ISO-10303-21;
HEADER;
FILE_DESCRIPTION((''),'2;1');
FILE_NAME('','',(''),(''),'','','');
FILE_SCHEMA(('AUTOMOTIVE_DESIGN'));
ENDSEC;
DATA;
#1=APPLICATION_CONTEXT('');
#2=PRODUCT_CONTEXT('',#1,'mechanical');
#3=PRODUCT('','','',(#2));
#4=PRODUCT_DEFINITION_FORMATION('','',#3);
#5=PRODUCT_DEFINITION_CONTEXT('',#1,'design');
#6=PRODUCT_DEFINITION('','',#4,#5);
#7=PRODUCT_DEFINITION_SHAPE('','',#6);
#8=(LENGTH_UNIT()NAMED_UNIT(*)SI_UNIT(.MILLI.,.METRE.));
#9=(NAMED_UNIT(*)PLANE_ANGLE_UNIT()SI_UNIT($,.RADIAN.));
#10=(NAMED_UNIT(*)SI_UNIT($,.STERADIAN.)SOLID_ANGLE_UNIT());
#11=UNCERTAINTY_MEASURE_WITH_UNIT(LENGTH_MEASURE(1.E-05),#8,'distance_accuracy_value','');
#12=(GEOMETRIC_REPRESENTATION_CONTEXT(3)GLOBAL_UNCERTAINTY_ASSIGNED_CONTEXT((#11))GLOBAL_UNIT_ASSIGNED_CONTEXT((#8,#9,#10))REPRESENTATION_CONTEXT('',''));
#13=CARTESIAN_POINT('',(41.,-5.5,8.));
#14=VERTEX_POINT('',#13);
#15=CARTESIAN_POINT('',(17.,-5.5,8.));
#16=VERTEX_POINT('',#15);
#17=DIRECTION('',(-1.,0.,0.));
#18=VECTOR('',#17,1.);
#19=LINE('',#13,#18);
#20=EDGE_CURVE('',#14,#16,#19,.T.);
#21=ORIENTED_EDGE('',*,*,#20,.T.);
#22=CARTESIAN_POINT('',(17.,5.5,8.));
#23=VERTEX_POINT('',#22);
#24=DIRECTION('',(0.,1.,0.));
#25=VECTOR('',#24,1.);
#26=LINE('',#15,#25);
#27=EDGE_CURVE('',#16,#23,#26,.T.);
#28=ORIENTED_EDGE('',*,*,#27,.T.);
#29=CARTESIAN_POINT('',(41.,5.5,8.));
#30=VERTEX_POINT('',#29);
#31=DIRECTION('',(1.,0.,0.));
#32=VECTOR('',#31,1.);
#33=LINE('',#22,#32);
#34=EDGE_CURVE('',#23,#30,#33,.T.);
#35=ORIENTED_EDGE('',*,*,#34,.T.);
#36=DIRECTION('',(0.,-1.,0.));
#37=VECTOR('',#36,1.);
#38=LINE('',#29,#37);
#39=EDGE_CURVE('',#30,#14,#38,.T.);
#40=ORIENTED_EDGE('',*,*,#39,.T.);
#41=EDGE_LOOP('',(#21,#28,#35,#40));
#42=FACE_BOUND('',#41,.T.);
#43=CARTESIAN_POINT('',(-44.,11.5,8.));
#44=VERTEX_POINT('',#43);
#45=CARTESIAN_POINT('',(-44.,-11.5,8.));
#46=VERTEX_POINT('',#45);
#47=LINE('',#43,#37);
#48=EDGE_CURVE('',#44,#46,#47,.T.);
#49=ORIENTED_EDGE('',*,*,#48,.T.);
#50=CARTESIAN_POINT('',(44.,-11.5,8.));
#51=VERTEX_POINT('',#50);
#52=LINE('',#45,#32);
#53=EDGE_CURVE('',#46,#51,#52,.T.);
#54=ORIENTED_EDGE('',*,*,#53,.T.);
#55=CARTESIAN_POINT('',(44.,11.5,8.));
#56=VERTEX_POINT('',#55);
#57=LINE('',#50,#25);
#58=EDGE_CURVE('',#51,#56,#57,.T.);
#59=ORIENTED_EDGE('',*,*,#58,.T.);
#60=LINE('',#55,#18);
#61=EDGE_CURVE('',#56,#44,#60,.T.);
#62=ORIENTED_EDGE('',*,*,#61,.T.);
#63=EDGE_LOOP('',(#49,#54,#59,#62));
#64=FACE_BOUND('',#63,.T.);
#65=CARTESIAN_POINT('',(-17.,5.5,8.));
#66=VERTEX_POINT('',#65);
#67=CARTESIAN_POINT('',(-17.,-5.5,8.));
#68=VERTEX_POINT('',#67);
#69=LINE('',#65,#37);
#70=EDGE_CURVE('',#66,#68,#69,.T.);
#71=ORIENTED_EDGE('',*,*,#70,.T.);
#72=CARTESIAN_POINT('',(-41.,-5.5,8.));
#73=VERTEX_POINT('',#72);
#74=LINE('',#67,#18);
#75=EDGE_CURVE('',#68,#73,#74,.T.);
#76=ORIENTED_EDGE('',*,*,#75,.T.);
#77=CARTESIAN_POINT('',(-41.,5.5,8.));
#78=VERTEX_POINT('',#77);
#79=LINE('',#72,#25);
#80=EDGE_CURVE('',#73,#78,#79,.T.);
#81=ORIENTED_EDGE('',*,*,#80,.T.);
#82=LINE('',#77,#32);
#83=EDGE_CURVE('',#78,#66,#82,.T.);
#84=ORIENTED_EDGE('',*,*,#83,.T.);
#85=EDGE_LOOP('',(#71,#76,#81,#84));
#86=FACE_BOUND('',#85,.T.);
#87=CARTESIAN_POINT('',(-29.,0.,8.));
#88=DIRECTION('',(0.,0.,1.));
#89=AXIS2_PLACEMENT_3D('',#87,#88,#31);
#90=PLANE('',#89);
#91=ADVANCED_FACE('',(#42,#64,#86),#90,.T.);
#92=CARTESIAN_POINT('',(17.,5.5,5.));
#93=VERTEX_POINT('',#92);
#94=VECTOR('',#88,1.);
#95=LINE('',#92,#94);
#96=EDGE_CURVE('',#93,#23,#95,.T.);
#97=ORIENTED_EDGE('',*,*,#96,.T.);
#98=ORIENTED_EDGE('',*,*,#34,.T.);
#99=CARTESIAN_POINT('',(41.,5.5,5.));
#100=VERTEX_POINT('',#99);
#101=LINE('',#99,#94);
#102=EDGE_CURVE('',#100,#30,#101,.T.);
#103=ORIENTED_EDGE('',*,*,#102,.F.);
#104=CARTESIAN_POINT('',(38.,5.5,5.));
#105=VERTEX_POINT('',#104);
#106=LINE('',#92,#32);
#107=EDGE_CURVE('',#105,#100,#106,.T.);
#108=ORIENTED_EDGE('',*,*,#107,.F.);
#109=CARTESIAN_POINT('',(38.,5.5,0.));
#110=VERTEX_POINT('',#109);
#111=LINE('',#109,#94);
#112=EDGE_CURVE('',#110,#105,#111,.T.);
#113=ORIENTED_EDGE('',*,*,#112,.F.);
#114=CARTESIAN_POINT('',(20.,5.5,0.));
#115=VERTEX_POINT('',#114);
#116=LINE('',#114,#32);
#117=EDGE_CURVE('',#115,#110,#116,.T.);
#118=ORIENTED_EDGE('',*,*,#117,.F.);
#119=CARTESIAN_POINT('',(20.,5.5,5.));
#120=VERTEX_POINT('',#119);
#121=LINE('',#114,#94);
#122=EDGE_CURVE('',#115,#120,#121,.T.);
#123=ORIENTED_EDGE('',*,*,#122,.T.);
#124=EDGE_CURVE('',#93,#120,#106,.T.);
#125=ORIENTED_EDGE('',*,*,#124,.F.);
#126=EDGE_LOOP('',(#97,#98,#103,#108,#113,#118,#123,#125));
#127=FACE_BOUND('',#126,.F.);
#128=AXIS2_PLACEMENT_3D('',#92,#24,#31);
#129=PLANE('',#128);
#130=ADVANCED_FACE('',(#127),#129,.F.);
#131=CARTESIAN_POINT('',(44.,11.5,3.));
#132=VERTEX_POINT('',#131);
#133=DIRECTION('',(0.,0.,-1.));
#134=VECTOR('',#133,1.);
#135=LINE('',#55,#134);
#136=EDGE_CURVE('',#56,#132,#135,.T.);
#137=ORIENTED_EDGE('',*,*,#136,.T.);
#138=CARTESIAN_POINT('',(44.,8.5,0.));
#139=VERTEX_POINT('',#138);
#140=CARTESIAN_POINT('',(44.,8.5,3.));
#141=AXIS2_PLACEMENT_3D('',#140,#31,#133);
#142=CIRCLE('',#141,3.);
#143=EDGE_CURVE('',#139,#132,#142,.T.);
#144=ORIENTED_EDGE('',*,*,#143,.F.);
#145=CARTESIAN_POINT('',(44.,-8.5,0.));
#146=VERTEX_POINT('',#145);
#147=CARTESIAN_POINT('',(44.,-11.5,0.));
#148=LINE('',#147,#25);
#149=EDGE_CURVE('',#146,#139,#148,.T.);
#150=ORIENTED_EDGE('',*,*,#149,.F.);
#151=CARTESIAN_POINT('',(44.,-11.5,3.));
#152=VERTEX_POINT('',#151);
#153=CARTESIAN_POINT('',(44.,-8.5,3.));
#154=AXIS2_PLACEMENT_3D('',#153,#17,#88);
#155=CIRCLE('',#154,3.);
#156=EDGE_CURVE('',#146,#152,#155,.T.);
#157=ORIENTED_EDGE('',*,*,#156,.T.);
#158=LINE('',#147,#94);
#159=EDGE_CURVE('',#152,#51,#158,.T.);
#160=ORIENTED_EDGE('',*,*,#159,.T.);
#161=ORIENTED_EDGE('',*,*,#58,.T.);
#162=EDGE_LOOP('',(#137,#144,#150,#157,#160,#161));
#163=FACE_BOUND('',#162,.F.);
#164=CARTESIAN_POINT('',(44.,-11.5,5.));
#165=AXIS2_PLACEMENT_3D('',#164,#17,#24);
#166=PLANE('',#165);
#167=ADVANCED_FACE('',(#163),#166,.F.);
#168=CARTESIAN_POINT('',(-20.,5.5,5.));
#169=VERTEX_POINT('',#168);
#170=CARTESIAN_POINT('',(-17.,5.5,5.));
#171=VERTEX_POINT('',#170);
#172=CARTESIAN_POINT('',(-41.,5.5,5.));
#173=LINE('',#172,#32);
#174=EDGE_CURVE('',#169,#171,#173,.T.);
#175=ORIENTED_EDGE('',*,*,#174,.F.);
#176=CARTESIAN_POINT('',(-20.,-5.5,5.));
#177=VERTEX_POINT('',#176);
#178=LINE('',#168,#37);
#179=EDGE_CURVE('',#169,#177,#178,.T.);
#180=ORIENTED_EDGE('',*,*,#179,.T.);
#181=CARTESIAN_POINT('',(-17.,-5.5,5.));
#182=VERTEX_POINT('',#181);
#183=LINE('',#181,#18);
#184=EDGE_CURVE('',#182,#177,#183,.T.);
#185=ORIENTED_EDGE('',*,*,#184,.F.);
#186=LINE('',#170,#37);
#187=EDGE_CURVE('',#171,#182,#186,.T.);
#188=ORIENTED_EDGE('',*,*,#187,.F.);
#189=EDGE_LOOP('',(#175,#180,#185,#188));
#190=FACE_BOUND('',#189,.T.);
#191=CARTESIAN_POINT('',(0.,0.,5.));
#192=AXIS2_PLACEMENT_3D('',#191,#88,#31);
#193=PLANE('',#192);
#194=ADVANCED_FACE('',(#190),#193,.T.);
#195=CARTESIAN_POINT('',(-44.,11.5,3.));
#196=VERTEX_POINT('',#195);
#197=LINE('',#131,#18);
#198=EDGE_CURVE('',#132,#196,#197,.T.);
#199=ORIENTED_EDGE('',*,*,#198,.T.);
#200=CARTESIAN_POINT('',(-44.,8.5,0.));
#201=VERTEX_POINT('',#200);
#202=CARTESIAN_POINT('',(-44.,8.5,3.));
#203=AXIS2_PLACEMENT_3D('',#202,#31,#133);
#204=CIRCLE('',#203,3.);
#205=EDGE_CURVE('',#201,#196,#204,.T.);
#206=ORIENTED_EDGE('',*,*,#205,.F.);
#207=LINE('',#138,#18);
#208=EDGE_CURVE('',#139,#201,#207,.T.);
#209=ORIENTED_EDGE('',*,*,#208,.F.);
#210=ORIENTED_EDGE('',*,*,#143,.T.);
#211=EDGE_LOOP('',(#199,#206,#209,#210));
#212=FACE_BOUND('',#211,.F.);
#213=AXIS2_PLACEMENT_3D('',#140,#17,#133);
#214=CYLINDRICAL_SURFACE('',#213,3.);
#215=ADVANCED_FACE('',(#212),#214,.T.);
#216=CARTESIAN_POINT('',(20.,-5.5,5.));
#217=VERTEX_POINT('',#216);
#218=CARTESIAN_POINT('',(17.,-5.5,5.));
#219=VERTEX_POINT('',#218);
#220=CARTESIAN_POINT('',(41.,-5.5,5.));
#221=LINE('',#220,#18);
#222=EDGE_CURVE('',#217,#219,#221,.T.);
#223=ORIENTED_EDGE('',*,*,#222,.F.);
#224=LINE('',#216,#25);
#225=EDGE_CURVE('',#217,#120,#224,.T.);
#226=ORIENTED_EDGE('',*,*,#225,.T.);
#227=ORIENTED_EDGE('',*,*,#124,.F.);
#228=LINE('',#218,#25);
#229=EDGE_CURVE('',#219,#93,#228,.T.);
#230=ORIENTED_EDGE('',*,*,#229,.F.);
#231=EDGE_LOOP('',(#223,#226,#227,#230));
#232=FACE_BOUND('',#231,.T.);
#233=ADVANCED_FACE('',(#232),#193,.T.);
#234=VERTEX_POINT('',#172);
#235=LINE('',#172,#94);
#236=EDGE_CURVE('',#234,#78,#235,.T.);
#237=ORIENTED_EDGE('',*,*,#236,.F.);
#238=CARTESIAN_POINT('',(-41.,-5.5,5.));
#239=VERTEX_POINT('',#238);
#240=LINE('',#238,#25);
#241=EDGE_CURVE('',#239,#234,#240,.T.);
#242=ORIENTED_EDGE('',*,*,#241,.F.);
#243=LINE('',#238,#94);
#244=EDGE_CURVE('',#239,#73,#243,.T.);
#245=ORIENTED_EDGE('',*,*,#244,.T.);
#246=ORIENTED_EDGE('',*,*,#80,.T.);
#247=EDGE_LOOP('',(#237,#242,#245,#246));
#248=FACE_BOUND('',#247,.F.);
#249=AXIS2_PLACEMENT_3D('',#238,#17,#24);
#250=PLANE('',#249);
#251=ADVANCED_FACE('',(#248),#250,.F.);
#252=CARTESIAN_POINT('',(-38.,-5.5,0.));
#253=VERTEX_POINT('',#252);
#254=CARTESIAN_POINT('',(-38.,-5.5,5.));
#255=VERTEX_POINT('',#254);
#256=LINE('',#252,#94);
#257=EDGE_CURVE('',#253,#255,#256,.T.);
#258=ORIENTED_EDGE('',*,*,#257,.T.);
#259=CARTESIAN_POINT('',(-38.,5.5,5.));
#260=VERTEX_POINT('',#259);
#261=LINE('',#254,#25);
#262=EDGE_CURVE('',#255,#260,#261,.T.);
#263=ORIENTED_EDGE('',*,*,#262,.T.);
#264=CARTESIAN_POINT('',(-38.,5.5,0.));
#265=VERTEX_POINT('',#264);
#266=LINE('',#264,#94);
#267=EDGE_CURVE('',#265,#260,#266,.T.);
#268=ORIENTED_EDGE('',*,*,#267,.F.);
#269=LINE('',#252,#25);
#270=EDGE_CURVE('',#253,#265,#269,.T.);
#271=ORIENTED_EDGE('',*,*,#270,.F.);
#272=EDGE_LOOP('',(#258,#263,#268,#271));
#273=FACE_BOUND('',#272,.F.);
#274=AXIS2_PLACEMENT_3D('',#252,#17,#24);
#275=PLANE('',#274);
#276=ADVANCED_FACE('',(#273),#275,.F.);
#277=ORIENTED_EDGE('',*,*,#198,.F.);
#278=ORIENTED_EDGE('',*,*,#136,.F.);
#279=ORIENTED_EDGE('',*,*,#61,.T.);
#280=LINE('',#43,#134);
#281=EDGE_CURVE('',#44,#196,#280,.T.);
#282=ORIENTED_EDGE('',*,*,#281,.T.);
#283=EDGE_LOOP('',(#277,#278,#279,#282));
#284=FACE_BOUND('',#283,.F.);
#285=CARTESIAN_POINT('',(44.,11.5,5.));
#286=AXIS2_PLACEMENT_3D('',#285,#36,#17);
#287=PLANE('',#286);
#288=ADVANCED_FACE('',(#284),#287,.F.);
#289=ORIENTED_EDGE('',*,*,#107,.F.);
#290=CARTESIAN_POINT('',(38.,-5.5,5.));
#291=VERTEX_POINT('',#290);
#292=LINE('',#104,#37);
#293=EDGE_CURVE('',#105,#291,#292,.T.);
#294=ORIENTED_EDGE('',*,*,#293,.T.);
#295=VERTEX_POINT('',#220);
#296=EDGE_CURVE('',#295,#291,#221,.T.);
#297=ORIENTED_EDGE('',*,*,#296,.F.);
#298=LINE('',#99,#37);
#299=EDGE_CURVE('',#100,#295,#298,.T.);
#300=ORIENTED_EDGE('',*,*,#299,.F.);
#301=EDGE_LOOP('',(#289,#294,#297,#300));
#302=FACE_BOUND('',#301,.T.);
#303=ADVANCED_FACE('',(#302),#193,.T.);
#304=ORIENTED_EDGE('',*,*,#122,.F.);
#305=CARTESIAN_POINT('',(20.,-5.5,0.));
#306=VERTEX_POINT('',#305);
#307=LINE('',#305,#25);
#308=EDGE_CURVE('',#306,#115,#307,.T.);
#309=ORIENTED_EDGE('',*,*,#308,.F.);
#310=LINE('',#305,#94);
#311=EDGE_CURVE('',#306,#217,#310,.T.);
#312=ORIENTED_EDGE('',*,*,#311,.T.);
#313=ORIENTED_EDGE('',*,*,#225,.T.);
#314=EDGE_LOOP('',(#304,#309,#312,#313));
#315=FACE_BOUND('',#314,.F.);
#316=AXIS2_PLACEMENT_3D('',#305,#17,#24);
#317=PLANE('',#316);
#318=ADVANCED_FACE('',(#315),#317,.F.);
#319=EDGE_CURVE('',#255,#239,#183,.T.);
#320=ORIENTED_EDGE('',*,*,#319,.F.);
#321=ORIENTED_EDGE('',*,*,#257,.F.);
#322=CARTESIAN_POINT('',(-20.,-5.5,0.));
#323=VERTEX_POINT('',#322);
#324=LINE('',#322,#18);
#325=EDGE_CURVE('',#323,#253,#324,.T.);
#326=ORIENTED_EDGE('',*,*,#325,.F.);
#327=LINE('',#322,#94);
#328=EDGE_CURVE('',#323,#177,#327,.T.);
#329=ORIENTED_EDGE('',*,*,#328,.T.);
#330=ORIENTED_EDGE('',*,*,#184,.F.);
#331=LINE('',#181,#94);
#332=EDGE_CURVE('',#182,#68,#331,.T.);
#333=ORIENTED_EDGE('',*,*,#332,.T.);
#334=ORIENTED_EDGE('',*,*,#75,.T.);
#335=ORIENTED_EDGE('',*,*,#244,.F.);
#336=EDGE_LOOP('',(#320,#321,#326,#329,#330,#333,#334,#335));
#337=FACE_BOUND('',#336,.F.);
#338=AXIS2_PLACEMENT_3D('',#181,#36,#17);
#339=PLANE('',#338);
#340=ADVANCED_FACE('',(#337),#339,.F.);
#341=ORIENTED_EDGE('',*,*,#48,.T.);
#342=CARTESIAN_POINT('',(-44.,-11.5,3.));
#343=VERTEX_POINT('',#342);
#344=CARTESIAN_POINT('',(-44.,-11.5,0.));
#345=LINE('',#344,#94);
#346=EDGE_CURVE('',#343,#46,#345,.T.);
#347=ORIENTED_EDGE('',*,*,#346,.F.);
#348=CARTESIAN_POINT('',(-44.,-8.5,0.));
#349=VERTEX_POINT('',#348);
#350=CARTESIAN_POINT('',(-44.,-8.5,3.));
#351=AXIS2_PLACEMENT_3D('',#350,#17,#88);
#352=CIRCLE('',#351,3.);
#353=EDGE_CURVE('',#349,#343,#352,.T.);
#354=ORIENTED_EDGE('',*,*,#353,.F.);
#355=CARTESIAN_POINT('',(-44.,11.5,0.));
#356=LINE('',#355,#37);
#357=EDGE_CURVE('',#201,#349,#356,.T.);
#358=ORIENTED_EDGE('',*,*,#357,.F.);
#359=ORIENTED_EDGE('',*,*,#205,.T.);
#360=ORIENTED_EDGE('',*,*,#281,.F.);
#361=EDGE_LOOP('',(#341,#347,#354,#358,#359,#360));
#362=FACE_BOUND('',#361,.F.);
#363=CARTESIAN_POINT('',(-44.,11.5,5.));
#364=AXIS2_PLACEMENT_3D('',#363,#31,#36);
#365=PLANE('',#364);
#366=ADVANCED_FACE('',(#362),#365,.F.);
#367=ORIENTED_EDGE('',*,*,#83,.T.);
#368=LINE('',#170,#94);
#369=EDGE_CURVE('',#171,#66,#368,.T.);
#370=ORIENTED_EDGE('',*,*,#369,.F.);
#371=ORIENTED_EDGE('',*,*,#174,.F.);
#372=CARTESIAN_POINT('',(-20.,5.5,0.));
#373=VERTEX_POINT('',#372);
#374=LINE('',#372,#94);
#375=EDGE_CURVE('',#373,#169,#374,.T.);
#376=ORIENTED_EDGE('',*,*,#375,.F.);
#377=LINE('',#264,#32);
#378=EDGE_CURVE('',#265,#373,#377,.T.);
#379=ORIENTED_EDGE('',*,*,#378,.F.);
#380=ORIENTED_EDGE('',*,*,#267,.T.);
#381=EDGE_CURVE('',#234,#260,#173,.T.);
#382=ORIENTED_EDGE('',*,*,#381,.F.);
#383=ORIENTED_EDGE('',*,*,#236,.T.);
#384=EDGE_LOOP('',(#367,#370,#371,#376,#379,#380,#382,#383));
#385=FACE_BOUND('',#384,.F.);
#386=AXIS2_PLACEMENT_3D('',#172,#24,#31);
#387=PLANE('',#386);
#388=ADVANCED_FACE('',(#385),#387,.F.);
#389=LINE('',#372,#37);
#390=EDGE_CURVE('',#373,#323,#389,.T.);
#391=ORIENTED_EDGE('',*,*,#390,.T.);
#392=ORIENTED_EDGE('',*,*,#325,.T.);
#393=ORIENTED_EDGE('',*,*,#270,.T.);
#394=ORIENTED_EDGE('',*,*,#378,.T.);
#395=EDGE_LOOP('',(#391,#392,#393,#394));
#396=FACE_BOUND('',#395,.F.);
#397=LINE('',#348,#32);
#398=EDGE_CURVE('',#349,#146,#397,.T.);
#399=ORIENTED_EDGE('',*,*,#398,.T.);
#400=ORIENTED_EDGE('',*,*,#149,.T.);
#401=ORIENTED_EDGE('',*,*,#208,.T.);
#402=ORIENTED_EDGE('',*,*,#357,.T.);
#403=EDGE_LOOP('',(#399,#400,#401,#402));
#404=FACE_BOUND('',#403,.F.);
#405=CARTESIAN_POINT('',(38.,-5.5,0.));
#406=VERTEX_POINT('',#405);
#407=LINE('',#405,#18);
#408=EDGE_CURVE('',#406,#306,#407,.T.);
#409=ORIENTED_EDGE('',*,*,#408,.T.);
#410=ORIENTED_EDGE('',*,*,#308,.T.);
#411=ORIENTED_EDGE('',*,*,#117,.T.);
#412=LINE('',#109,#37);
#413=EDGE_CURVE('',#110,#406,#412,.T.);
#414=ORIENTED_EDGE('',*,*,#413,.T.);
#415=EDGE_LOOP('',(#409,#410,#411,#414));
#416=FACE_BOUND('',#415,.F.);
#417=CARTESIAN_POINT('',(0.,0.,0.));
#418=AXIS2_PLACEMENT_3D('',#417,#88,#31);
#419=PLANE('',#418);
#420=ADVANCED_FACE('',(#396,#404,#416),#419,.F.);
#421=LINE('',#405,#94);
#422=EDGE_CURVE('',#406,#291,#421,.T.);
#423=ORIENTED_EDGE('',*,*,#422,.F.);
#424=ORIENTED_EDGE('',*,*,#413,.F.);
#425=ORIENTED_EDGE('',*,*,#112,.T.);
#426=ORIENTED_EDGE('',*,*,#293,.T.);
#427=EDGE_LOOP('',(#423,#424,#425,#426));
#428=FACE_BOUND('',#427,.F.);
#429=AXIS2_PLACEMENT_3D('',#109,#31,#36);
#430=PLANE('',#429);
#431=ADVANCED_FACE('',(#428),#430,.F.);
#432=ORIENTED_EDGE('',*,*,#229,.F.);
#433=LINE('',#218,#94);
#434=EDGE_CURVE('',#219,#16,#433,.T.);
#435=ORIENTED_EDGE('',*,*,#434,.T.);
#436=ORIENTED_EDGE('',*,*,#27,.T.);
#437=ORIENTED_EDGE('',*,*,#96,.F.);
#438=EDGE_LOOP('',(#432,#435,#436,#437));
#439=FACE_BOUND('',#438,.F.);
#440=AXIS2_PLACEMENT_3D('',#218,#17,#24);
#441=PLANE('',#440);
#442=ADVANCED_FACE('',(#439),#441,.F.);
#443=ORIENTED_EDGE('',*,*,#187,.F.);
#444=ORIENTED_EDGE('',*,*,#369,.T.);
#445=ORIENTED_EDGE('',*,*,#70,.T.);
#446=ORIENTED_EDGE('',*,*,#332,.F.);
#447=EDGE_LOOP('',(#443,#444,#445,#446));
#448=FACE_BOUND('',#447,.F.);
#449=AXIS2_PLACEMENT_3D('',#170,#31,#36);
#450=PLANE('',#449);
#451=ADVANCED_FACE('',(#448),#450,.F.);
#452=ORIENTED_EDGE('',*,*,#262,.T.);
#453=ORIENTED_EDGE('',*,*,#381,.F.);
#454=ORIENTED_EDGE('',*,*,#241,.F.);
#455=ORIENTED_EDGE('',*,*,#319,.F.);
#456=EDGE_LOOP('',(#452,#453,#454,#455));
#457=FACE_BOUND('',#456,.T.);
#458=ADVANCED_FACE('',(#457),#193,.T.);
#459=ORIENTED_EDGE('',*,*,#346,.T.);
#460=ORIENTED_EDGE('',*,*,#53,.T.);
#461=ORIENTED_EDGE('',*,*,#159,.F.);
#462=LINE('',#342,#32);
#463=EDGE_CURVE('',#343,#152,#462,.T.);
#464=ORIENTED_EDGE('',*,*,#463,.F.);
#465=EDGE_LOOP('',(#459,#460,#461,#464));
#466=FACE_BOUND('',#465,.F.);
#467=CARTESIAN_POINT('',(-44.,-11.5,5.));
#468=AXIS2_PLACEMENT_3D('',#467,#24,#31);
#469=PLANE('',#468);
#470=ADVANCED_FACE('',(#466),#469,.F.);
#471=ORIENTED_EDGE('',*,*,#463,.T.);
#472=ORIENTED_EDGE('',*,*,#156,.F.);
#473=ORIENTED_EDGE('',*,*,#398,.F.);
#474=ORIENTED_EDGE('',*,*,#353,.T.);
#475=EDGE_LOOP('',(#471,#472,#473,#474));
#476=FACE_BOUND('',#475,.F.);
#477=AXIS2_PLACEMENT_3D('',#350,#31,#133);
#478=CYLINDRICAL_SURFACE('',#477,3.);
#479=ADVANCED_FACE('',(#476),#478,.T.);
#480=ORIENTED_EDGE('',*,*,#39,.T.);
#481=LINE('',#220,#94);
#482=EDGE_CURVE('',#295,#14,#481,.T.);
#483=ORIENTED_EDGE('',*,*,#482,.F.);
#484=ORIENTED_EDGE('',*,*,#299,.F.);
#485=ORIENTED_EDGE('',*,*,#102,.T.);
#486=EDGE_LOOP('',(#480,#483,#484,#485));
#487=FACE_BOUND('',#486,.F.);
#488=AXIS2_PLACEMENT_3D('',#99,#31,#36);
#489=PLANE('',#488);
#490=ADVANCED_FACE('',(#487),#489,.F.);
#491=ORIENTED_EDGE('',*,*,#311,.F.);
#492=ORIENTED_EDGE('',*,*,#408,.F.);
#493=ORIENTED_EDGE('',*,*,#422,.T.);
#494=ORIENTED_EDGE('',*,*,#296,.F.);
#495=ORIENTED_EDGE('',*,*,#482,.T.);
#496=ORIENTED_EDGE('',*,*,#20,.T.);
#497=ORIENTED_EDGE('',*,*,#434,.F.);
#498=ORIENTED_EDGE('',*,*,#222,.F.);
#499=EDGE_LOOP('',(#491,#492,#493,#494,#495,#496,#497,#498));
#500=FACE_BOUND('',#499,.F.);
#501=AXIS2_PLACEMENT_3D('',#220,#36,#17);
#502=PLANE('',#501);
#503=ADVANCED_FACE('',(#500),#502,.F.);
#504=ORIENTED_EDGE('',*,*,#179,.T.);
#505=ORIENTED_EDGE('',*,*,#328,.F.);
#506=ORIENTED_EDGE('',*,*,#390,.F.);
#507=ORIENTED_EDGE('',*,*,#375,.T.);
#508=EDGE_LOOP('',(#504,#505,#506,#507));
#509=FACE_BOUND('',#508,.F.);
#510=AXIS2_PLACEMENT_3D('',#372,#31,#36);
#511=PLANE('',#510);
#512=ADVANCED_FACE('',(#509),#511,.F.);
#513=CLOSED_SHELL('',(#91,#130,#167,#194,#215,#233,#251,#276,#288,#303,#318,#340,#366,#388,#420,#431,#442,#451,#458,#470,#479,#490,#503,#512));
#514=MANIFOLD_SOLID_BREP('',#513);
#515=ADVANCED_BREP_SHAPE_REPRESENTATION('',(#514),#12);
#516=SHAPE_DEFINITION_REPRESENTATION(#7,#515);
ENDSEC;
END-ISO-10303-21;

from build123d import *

# Parameters (mm, degrees)
F1_DEPTH = 5
F3_DEPTH = 3
F4_R     = 3


with BuildPart() as f1:
    # F0 (on Top) → F1 (new body)
    with BuildSketch(Plane.XY):
        Polygon((-44, 11.5), (-44, 0), (-44, -11.5), (0, -11.5), (44, -11.5), (44, 0), (44, 11.5), (0, 11.5), align=None)
        Polygon((-20, 5.5), (-20, 0), (-20, -5.5), (-38, -5.5), (-38, 0), (-38, 5.5), align=None, mode=Mode.SUBTRACT)
        Polygon((20, -5.5), (20, 0), (20, 5.5), (38, 5.5), (38, 0), (38, -5.5), align=None, mode=Mode.SUBTRACT)
    extrude(amount=F1_DEPTH)

    # F2 (on face) → F3 (join)
    with BuildSketch(Plane.XY.offset(5)):
        Polygon((-44, 11.5), (-44, 0), (-44, -11.5), (-14, -11.5), (-14, 0), (-14, 11.5), align=None)
        Polygon((-41, 5.5), (-38, 5.5), (-20, 5.5), (-17, 5.5), (-17, 0), (-17, -5.5), (-20, -5.5), (-38, -5.5), (-41, -5.5), (-41, 0), align=None, mode=Mode.SUBTRACT)
        Polygon((14, 11.5), (-14, 11.5), (-14, 0), (-14, -11.5), (14, -11.5), (14, 0), align=None)
        Polygon((44, 11.5), (14, 11.5), (14, 0), (14, -11.5), (44, -11.5), (44, 0), align=None)
        Polygon((17, 0), (17, 5.5), (41, 5.5), (41, 0), (41, -5.5), (17, -5.5), align=None, mode=Mode.SUBTRACT)
    extrude(amount=F3_DEPTH)

    # F4
    f4_edges = [f1.edges().sort_by_distance(p)[0] for p in [
        (0, -11.5, 0),
        (0, 11.5, 0),
    ]]
    fillet(f4_edges, radius=F4_R)


solid = f1.part
